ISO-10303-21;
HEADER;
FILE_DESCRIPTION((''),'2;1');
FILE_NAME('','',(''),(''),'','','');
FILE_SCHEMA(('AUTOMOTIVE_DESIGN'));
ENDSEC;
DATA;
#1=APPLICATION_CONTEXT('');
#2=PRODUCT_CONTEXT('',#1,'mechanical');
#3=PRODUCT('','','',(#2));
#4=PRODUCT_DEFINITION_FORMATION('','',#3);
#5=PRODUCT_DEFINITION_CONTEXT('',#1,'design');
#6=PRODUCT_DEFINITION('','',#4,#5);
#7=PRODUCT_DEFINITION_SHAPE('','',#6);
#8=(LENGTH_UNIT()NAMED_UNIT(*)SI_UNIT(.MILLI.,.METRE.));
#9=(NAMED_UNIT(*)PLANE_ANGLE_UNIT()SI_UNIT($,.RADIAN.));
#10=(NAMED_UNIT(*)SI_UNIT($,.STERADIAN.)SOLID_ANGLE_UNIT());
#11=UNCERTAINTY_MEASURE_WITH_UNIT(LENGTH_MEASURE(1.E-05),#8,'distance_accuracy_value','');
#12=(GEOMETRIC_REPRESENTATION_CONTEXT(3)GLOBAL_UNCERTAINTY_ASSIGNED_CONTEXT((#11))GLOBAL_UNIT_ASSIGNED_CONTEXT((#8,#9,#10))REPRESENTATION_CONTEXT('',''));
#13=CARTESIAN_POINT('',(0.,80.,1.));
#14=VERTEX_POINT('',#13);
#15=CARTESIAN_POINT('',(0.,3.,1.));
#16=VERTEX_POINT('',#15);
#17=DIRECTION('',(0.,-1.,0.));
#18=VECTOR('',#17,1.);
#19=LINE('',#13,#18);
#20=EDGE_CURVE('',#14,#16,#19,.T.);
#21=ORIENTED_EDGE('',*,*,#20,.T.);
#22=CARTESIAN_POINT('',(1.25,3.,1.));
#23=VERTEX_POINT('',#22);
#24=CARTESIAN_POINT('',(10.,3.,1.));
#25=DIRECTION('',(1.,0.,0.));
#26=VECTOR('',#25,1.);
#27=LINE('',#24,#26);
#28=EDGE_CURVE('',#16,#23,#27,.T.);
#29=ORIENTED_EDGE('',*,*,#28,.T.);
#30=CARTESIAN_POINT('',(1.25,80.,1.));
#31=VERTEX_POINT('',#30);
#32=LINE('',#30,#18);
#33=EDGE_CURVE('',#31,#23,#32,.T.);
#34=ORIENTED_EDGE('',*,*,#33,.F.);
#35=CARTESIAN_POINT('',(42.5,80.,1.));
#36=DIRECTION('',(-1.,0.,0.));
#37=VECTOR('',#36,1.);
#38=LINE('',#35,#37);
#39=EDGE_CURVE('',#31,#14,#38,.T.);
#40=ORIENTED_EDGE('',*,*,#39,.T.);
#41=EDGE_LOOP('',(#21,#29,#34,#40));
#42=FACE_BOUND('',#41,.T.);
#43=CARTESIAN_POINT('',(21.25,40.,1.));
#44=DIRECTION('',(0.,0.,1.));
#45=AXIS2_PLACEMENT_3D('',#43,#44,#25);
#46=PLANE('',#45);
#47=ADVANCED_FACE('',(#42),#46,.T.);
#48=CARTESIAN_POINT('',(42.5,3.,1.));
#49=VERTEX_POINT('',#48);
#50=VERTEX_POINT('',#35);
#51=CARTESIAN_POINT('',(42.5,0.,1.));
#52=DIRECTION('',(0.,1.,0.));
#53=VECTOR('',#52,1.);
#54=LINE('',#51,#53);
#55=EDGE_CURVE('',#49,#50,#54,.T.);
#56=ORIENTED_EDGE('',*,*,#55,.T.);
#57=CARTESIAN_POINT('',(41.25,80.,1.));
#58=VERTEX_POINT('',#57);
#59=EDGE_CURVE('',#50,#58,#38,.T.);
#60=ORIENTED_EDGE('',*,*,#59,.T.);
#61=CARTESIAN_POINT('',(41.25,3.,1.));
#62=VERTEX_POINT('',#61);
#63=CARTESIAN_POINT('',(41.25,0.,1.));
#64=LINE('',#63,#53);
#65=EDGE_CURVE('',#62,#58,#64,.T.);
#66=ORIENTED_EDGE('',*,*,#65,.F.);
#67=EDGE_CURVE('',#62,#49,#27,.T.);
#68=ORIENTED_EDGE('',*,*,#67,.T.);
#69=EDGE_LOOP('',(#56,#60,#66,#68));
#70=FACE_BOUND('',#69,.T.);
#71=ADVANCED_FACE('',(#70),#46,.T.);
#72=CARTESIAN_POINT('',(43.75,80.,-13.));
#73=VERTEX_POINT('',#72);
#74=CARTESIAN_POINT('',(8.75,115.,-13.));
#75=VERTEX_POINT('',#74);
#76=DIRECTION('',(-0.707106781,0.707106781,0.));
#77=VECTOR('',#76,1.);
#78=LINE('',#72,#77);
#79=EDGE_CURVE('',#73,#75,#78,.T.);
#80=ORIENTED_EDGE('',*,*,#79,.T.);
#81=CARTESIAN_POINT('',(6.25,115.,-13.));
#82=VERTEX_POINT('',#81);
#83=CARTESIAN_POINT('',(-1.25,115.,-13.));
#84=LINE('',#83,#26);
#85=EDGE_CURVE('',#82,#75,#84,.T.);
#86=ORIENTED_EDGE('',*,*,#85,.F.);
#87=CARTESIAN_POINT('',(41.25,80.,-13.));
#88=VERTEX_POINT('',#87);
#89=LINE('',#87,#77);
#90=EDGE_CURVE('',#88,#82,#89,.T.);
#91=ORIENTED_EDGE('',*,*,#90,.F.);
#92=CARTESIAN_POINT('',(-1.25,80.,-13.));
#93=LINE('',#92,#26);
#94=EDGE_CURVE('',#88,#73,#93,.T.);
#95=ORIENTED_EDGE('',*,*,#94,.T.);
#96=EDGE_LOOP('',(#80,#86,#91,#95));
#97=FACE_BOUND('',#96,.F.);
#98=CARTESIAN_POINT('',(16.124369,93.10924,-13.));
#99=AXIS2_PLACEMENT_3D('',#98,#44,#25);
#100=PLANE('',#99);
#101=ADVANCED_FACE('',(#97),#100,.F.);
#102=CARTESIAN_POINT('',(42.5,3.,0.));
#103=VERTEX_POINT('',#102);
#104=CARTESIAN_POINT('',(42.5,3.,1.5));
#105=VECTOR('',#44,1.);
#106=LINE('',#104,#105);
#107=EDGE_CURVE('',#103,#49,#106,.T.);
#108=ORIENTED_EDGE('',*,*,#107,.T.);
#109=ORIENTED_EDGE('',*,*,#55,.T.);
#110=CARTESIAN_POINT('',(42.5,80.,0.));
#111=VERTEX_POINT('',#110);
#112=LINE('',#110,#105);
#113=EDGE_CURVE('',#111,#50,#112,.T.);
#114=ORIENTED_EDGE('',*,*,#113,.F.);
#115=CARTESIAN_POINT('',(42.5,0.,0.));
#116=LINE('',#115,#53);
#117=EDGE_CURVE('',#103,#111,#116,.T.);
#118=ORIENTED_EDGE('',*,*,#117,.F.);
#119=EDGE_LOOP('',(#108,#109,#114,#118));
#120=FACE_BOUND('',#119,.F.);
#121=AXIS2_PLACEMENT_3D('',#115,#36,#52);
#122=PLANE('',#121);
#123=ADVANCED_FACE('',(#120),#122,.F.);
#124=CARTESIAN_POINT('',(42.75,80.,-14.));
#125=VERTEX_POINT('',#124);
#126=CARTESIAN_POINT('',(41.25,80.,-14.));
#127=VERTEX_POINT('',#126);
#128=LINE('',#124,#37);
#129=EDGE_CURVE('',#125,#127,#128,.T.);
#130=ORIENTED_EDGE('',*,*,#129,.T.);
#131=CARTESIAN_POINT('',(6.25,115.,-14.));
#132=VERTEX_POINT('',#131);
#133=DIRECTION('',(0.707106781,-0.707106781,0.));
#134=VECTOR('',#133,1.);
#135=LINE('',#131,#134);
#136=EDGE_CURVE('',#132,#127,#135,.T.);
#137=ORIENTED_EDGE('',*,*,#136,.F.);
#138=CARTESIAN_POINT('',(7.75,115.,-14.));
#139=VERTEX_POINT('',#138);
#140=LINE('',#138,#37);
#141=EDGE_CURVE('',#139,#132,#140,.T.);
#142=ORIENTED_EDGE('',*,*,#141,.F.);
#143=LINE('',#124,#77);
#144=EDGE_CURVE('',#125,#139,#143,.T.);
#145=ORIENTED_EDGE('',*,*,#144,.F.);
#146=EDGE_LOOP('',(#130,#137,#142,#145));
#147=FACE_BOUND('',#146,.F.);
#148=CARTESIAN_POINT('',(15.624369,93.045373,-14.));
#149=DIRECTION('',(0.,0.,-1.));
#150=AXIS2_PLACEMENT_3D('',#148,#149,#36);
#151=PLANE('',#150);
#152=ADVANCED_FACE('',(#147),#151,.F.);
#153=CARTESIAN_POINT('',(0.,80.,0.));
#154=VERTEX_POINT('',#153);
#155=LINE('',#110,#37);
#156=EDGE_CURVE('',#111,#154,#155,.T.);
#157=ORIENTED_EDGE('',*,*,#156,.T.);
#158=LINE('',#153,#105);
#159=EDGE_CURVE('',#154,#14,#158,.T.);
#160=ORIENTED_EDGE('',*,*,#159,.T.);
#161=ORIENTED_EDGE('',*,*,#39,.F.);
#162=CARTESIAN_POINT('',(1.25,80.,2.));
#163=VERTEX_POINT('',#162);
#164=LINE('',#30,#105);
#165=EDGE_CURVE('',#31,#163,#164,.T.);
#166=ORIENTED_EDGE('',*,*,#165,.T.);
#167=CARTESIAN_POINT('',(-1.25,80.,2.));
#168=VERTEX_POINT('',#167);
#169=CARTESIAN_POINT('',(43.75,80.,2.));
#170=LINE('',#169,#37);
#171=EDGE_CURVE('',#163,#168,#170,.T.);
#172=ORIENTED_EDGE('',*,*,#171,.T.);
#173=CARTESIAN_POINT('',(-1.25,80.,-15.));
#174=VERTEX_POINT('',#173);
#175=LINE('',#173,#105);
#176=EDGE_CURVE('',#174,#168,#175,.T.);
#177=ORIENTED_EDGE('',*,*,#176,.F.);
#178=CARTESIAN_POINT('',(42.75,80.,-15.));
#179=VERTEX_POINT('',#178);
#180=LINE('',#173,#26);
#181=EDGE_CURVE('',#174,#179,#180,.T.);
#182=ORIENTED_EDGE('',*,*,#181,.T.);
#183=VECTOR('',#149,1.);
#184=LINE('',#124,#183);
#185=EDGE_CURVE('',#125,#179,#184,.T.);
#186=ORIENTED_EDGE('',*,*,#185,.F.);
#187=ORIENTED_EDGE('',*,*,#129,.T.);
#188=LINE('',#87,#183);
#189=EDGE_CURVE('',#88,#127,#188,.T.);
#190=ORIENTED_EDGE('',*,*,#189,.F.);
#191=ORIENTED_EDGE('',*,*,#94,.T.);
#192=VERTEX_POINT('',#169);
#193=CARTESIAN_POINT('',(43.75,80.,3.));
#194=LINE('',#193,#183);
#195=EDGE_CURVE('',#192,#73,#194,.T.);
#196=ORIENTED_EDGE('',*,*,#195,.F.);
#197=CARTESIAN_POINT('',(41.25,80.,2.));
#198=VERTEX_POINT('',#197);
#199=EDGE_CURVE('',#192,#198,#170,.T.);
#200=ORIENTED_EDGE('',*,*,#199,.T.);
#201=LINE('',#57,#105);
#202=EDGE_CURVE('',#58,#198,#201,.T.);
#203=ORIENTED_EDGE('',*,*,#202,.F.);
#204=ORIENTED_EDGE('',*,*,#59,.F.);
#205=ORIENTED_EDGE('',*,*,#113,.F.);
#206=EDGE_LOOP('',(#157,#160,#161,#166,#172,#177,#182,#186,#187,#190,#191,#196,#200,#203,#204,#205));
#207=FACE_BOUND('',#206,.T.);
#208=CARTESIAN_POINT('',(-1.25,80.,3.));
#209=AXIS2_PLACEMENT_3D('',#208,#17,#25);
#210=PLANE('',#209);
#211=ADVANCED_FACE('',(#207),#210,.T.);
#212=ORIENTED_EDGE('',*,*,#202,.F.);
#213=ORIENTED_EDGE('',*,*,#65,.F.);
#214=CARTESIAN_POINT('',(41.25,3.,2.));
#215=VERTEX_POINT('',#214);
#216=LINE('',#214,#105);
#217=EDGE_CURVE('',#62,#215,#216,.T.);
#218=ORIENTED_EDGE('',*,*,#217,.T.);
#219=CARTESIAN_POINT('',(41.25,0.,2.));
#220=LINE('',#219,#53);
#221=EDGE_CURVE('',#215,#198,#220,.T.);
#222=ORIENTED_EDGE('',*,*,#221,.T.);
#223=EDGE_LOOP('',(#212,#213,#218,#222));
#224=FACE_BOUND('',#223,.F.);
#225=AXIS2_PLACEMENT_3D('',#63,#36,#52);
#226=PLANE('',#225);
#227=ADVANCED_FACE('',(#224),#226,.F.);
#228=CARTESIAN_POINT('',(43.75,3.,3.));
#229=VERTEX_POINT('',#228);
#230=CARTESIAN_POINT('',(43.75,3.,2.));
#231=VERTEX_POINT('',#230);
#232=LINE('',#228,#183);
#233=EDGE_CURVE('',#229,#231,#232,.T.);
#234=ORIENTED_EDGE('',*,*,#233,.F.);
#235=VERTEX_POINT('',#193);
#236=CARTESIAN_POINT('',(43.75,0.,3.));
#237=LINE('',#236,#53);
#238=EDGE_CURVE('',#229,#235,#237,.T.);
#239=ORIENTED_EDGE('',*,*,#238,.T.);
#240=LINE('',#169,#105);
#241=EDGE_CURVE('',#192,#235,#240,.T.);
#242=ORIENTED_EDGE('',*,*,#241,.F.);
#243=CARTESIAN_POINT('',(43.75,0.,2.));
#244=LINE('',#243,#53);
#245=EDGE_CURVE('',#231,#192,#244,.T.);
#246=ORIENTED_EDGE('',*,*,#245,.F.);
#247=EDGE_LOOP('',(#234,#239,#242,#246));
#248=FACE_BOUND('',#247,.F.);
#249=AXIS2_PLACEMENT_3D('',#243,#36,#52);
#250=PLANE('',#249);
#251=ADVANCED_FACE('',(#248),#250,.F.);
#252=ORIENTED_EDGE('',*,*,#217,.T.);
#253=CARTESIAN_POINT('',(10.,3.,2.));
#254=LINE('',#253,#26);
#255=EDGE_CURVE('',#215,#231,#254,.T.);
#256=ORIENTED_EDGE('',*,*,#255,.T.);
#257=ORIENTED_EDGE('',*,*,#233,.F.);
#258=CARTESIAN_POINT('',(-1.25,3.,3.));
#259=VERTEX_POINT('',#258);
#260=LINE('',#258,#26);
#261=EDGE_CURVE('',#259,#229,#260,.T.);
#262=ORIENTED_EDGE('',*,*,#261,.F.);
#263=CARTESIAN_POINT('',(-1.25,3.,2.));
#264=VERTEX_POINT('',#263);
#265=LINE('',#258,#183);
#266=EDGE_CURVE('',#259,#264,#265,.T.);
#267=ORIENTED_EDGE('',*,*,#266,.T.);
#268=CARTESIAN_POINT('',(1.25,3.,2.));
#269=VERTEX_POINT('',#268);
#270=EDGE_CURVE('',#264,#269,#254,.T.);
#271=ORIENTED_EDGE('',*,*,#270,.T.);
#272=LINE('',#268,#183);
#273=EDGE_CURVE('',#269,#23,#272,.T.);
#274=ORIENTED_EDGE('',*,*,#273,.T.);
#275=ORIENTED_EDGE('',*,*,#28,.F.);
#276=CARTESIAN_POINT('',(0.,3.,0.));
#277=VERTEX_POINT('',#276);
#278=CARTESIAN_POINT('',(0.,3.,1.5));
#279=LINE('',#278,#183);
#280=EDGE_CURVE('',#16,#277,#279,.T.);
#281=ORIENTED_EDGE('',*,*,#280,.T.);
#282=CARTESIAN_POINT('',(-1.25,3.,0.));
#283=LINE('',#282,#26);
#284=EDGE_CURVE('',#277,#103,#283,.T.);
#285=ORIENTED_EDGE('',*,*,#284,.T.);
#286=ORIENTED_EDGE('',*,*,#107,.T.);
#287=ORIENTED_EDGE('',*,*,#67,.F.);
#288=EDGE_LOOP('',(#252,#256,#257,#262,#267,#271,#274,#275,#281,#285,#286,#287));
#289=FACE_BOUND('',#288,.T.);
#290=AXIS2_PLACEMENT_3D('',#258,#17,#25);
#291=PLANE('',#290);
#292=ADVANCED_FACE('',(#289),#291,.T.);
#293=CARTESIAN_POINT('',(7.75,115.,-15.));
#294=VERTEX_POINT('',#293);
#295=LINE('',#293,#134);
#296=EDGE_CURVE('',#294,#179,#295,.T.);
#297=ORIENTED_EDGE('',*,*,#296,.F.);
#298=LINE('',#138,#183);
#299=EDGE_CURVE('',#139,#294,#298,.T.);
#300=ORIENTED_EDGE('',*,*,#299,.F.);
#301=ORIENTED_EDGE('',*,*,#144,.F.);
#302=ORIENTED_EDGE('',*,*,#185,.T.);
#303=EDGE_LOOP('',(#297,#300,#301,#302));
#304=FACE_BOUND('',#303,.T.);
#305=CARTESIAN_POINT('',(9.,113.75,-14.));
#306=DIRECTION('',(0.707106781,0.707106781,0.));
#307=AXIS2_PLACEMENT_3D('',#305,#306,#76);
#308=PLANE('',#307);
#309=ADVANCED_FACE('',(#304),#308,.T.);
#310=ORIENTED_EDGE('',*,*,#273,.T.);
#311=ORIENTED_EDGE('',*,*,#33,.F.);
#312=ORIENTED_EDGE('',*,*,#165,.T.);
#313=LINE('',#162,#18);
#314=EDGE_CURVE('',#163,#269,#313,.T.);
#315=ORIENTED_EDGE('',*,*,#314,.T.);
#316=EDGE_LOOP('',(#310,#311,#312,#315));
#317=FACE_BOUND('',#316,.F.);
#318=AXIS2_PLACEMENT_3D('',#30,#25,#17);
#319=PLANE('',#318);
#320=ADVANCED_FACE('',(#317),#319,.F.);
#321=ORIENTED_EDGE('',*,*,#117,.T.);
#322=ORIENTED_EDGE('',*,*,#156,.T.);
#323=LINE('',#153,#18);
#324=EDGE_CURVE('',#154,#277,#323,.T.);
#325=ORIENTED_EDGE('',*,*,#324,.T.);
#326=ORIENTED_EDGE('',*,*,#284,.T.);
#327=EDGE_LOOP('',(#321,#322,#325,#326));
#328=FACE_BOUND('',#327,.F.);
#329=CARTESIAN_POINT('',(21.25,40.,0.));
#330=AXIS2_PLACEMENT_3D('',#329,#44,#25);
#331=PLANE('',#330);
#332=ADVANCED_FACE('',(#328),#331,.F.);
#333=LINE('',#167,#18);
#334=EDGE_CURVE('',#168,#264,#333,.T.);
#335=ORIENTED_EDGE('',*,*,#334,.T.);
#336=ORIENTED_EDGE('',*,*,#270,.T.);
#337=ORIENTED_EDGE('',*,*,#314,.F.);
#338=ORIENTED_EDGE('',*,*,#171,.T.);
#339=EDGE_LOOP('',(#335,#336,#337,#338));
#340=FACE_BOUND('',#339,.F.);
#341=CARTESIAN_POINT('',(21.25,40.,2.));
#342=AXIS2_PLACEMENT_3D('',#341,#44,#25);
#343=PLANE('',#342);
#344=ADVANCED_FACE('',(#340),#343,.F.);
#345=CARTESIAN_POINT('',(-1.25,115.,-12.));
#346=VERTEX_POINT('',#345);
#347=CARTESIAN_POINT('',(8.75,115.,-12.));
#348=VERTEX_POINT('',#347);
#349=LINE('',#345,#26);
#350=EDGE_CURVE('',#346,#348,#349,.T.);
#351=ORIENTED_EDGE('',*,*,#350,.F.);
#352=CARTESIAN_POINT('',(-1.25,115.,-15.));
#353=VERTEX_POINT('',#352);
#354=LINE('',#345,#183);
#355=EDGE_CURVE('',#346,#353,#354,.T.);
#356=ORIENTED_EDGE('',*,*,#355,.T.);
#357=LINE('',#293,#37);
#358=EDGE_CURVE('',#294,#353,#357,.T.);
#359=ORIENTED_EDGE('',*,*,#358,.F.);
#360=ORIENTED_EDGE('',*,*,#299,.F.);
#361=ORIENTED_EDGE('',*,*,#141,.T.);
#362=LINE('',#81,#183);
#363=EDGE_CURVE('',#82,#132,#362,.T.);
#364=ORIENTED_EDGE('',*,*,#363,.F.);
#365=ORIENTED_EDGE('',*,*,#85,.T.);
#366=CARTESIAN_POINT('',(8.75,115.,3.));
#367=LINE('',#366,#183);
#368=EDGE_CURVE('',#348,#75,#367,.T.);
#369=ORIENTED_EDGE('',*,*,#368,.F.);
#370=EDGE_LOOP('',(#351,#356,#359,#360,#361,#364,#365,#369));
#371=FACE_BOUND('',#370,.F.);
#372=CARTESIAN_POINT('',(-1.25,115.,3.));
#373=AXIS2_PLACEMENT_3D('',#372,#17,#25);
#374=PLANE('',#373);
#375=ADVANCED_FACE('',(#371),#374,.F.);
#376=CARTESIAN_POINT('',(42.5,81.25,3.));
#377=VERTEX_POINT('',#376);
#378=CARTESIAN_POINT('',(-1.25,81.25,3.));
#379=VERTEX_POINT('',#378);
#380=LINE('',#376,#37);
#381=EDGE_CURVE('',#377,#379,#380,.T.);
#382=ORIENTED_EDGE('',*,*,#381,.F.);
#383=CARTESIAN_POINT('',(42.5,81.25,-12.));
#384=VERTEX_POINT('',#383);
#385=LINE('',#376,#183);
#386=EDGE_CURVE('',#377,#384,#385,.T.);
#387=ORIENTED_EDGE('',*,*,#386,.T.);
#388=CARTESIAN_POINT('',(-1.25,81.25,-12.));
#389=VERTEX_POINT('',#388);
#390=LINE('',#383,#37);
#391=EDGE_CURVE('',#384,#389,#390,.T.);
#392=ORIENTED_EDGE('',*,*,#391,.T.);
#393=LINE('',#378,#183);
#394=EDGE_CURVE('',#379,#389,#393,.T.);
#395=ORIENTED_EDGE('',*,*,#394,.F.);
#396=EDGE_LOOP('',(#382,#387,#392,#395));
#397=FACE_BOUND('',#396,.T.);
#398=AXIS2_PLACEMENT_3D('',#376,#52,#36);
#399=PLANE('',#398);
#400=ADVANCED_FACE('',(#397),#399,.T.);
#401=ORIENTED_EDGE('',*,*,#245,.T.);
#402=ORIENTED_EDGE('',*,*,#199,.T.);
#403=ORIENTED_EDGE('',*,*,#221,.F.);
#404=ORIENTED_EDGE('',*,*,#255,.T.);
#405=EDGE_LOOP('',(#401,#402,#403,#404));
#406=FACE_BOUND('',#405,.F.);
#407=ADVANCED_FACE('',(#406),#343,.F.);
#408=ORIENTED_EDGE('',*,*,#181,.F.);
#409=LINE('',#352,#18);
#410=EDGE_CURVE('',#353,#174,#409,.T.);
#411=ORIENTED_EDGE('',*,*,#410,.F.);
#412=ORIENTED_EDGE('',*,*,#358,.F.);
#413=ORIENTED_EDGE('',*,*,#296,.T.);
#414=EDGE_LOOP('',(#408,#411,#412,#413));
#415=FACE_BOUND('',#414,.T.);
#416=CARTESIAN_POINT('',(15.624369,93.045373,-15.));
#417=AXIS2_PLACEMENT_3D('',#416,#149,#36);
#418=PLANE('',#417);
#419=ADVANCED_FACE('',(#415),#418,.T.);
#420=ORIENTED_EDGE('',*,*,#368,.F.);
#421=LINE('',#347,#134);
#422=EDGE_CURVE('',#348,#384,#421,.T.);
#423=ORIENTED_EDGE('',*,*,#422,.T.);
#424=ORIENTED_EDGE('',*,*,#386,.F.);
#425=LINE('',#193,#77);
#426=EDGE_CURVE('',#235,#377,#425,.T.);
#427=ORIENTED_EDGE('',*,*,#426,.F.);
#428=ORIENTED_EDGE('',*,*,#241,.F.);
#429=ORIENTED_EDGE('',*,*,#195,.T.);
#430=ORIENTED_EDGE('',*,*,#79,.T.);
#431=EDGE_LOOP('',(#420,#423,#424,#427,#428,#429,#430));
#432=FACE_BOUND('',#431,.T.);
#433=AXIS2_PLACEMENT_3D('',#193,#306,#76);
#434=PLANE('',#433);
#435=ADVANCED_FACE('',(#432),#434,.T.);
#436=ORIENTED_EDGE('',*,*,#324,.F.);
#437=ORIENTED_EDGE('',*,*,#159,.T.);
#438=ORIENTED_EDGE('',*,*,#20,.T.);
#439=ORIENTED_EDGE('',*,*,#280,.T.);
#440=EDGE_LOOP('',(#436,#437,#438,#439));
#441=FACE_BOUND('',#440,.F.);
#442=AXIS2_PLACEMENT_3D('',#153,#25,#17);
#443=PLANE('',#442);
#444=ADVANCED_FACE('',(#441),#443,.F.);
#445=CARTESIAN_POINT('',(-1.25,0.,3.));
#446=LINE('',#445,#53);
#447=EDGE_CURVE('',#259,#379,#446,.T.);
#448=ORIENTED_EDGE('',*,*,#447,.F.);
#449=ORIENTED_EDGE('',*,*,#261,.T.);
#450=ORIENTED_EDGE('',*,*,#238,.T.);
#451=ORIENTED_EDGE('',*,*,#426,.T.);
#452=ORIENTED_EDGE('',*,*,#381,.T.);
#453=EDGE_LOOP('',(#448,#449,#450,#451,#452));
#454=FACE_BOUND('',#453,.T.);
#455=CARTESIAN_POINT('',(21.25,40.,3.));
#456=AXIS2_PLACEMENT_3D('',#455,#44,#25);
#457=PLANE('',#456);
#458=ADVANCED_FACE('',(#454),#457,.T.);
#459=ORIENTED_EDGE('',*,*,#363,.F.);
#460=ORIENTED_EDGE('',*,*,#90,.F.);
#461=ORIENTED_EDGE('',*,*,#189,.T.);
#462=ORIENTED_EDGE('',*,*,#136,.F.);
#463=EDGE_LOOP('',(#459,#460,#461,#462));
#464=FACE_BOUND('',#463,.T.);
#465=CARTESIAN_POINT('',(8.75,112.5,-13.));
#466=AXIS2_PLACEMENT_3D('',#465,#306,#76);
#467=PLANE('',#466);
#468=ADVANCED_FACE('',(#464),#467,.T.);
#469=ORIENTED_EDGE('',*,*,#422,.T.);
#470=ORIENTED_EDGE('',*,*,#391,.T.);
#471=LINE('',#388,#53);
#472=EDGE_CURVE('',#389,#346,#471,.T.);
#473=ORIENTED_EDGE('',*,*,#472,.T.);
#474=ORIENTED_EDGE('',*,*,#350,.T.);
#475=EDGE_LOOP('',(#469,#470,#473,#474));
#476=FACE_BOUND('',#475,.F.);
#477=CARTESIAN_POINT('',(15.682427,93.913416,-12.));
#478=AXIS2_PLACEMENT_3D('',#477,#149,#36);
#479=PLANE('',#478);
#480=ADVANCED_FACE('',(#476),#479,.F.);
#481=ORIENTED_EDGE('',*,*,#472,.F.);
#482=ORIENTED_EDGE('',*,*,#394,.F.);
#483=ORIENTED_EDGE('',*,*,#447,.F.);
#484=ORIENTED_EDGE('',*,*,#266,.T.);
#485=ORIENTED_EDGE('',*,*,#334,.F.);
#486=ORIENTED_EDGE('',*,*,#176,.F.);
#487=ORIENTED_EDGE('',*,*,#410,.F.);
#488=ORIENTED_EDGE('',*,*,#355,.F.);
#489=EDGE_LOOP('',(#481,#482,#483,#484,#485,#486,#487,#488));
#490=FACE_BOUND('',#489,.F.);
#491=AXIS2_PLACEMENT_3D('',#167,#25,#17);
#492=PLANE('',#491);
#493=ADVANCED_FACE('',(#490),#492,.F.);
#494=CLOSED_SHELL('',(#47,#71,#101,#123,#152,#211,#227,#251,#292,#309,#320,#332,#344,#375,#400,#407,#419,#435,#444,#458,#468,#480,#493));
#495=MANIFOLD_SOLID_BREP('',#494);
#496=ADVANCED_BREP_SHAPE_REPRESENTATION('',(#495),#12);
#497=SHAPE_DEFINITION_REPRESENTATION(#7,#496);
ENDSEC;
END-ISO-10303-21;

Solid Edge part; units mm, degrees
sketch "Sketch1" plane through (0, 0, 0) normal (0, 0, 1) x (1, 0, 0)
  line L0 (0, 0) -> (42.5, 0)
  line L1 (42.5, 0) -> (42.5, 80)
  line L2 (42.5, 80) -> (0, 80)
  line L3 (0, 80) -> (0, 0)
extrude "Protrusion1" add sketch "Sketch1" along normal blind 1
sketch "Sketch2" plane through (21.25, 40, 1) normal (0, 0, 1) x (1, 0, 0)
  line L0 (-20, 40) -> (-20, -40)
  line L1 (-20, -40) -> (20, -40)
  line L2 (20, -40) -> (20, 40)
  line L3 (20, 40) -> (-20, 40)
extrude "Vysunutí_2" add sketch "Sketch2" along normal blind 1
sketch "Sketch3" plane through (21.25, 40, 2) normal (0, 0, 1) x (1, 0, 0)
  line L0 (-22.5, -40) -> (22.5, -40)
  line L1 (22.5, -40) -> (22.5, 40)
  line L2 (22.5, 40) -> (-22.5, 40)
  line L3 (-22.5, 40) -> (-22.5, -40)
extrude "Vysunutí_3" add sketch "Sketch3" along normal blind 1
sketch "Sketch4" plane through (21.25, 40, 3) normal (0, 0, 1) x (1, 0, 0)
  line L0 (-22.5, 75) -> (-22.5, 40)
  line L1 (-22.5, 40) -> (22.5, 40)
  line L2 (22.5, 40) -> (-12.5, 75)
  line L3 (-22.5, 75) -> (-12.5, 75)
extrude "Protrusion2" add sketch "Sketch4" against normal blind 16
sketch "Sketch5" plane through (21.25, 57.5, 3) normal (0, 0, 1) x (0, -1, 0)
  line L0 (-23.75, 21.25) -> (-23.75, -22.5)
  line L1 (-23.75, -22.5) -> (-57.5, -22.5)
  line L2 (-57.5, -22.5) -> (-57.5, -12.5)
  line L3 (-57.5, -12.5) -> (-23.75, 21.25)
extrude "Cutout1" cut sketch "Sketch5" against normal blind 15
sketch "Sketch6" plane through (21.25, 97.5, -13) normal (0, 0, -1) x (0, -1, 0)
  line L0 (-15, 12.5) -> (-7.6278, 5.1278)
  line L1 (-7.6278, 5.1278) -> (16.25, -18.75)
  line L2 (17.5, -20) -> (16.25, -18.75)
  line L3 (17.5, 22.5) -> (17.5, -20)
  line L4 (16.25, 22.5) -> (17.5, 22.5)
  line L5 (16.25, 22.5) -> (-15, 22.5)
  line L6 (-17.5, 22.5) -> (-15, 22.5)
  line L7 (-17.5, 15) -> (-17.5, 22.5)
  line L8 (-15, 12.5) -> (-17.5, 15)
extrude "Vysunutí_6" add sketch "Sketch6" along normal blind 1
sketch "Sketch7" plane through (20, 96.25, -14) normal (0, 0, -1) x (-1, 0, 0)
  line L0 (21.25, 16.25) -> (21.25, 17.5)
  line L1 (21.25, 18.75) -> (21.25, 17.5)
  line L2 (12.25, 18.75) -> (21.25, 18.75)
  line L3 (11, 17.5) -> (12.25, 18.75)
  line L4 (9.75, 16.25) -> (11, 17.5)
  line L5 (9.75, 16.25) -> (-22.75, -16.25)
  line L6 (-22.75, -16.25) -> (-21.25, -16.25)
  line L7 (21.25, -16.25) -> (-21.25, -16.25)
  line L8 (21.25, 16.25) -> (21.25, -16.25)
extrude "Vysunutí_7" add sketch "Sketch7" along normal blind 1
sketch "Sketch8" plane through (21.25, 40.625, 3) normal (0, 0, 1) x (1, 0, 0)
  line L0 (22.5, -40.625) -> (-22.5, -40.625)
  line L1 (-22.5, -40.625) -> (-22.5, -37.625)
  line L2 (-22.5, -37.625) -> (22.5, -37.625)
  line L3 (22.5, -37.625) -> (22.5, -40.625)
extrude "Cutout2" cut sketch "Sketch8" against normal blind 3
